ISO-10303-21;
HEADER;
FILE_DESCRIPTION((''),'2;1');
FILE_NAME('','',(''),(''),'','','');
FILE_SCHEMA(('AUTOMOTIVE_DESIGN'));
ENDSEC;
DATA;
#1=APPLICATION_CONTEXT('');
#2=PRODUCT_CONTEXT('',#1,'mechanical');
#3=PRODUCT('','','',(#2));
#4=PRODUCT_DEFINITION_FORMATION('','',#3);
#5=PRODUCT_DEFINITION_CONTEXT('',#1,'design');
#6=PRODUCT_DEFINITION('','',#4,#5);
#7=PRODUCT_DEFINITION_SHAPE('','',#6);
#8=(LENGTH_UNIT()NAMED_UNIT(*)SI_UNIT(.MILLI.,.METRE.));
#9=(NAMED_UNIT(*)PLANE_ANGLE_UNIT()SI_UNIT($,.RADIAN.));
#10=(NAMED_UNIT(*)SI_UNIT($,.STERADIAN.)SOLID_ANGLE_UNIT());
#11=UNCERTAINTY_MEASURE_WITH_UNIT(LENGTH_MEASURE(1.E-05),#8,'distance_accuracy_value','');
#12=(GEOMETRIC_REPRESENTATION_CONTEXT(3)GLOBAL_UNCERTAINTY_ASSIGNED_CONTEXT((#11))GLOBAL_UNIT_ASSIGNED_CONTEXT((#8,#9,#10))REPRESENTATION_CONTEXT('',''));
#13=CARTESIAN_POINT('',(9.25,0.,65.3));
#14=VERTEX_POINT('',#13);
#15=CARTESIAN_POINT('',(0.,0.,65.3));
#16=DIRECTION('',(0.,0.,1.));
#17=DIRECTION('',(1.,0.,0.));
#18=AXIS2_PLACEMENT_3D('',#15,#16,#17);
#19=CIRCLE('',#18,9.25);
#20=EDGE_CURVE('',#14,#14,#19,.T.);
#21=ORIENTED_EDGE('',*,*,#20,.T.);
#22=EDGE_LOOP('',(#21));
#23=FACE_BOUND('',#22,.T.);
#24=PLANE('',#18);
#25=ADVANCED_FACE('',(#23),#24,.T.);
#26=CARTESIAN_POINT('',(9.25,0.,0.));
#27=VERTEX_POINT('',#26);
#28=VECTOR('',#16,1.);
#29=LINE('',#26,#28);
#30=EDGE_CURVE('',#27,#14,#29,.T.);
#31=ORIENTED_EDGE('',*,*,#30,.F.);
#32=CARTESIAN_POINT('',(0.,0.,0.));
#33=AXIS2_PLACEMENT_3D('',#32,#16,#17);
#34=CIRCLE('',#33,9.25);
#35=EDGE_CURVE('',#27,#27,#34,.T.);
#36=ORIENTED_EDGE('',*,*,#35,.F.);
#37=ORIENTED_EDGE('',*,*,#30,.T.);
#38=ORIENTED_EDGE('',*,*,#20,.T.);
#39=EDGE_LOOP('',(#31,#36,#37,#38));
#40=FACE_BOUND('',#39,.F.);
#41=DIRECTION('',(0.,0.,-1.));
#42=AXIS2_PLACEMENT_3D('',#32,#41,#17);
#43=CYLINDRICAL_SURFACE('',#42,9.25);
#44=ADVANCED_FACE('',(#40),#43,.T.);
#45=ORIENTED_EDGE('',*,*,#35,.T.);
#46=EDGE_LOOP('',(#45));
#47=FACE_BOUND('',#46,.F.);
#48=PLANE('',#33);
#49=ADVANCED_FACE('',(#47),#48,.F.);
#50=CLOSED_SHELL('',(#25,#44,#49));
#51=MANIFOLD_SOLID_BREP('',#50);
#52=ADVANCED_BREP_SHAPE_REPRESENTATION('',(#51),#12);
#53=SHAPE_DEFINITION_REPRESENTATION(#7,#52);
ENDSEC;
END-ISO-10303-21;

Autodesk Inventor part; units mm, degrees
ref_plane "YZ Plane" through (0, 0, 0) normal (1, 0, 0) x (0, 1, 0)
ref_plane "XZ Plane" through (0, 0, 0) normal (0, 1, 0) x (-1, 0, 0)
ref_plane "XY Plane" through (0, 0, 0) normal (0, 0, 1) x (1, 0, 0)
sketch "Sketch1" plane through (0, 0, 0) normal (0, 0, 1) x (1, 0, 0)
  circle A0 centre (0, 0) radius 9.25
  dimension "d0" = 18.5
extrude "Extrusion1" add sketch "Sketch1" along normal blind 65.3
properties part number "18650"
